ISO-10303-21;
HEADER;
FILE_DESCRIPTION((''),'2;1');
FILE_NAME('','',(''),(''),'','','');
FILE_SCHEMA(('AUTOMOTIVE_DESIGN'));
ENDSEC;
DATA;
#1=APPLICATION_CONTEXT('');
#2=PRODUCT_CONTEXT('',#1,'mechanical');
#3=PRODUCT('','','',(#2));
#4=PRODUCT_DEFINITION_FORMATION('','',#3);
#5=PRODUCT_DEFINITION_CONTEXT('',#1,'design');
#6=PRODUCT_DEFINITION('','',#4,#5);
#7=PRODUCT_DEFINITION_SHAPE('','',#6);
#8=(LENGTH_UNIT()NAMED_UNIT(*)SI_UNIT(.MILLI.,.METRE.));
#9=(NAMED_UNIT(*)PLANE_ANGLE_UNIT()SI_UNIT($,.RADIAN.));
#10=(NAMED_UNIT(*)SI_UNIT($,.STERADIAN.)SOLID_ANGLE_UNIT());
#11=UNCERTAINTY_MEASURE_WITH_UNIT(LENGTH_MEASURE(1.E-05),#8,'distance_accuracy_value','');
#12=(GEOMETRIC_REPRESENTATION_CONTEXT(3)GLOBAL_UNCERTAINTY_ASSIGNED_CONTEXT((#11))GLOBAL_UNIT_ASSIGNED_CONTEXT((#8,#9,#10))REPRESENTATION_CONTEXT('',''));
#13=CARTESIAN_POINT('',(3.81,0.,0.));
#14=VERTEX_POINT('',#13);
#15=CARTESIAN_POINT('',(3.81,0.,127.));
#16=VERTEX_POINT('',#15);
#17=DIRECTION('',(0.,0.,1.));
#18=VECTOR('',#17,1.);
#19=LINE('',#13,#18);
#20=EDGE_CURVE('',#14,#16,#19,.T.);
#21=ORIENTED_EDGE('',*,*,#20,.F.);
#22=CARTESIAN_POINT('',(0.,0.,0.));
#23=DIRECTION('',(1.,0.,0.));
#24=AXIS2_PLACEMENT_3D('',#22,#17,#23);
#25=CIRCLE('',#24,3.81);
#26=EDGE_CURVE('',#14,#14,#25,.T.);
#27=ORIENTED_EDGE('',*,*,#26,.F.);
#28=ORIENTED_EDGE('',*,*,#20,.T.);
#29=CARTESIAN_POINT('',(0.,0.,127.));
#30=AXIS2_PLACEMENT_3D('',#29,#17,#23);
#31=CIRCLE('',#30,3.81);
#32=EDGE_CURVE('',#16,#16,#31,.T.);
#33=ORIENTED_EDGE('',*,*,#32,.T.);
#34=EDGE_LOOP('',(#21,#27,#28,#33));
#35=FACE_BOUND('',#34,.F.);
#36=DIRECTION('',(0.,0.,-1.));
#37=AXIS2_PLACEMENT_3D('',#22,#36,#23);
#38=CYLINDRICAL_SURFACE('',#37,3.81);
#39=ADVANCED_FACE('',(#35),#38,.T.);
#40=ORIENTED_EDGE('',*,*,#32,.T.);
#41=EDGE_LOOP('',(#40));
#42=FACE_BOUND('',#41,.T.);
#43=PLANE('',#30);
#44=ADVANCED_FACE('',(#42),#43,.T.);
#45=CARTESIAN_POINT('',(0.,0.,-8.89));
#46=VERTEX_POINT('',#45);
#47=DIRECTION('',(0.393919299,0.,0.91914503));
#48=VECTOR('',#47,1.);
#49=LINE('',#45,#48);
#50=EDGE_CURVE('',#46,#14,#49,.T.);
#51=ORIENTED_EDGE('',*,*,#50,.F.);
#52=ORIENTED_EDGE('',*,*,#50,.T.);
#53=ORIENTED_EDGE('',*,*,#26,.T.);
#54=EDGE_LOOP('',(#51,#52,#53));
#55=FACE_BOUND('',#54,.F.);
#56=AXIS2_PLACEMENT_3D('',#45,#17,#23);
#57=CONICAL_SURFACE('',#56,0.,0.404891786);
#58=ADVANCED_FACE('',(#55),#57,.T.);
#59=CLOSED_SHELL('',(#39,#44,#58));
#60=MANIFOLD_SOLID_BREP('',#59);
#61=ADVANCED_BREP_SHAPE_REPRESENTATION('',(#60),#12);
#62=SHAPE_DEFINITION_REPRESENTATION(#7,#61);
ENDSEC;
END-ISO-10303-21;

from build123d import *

# Parameters (mm, degrees)
F0_R     = 3.81
F1_DEPTH = 127


with BuildPart() as f1:
    # F0 (on Top) → F1 (new body)
    with BuildSketch(Plane.XY):
        Circle(F0_R)
    extrude(amount=F1_DEPTH)

    # F2 (on Front) → F3 (revolve)
    with BuildSketch(Plane.XZ):
        Polygon((3.81, 0), (0, 0), (0, -8.89), align=None)
    revolve(axis=Axis((0, 0, -4.445), (0, 0, -1)))


solid = f1.part
